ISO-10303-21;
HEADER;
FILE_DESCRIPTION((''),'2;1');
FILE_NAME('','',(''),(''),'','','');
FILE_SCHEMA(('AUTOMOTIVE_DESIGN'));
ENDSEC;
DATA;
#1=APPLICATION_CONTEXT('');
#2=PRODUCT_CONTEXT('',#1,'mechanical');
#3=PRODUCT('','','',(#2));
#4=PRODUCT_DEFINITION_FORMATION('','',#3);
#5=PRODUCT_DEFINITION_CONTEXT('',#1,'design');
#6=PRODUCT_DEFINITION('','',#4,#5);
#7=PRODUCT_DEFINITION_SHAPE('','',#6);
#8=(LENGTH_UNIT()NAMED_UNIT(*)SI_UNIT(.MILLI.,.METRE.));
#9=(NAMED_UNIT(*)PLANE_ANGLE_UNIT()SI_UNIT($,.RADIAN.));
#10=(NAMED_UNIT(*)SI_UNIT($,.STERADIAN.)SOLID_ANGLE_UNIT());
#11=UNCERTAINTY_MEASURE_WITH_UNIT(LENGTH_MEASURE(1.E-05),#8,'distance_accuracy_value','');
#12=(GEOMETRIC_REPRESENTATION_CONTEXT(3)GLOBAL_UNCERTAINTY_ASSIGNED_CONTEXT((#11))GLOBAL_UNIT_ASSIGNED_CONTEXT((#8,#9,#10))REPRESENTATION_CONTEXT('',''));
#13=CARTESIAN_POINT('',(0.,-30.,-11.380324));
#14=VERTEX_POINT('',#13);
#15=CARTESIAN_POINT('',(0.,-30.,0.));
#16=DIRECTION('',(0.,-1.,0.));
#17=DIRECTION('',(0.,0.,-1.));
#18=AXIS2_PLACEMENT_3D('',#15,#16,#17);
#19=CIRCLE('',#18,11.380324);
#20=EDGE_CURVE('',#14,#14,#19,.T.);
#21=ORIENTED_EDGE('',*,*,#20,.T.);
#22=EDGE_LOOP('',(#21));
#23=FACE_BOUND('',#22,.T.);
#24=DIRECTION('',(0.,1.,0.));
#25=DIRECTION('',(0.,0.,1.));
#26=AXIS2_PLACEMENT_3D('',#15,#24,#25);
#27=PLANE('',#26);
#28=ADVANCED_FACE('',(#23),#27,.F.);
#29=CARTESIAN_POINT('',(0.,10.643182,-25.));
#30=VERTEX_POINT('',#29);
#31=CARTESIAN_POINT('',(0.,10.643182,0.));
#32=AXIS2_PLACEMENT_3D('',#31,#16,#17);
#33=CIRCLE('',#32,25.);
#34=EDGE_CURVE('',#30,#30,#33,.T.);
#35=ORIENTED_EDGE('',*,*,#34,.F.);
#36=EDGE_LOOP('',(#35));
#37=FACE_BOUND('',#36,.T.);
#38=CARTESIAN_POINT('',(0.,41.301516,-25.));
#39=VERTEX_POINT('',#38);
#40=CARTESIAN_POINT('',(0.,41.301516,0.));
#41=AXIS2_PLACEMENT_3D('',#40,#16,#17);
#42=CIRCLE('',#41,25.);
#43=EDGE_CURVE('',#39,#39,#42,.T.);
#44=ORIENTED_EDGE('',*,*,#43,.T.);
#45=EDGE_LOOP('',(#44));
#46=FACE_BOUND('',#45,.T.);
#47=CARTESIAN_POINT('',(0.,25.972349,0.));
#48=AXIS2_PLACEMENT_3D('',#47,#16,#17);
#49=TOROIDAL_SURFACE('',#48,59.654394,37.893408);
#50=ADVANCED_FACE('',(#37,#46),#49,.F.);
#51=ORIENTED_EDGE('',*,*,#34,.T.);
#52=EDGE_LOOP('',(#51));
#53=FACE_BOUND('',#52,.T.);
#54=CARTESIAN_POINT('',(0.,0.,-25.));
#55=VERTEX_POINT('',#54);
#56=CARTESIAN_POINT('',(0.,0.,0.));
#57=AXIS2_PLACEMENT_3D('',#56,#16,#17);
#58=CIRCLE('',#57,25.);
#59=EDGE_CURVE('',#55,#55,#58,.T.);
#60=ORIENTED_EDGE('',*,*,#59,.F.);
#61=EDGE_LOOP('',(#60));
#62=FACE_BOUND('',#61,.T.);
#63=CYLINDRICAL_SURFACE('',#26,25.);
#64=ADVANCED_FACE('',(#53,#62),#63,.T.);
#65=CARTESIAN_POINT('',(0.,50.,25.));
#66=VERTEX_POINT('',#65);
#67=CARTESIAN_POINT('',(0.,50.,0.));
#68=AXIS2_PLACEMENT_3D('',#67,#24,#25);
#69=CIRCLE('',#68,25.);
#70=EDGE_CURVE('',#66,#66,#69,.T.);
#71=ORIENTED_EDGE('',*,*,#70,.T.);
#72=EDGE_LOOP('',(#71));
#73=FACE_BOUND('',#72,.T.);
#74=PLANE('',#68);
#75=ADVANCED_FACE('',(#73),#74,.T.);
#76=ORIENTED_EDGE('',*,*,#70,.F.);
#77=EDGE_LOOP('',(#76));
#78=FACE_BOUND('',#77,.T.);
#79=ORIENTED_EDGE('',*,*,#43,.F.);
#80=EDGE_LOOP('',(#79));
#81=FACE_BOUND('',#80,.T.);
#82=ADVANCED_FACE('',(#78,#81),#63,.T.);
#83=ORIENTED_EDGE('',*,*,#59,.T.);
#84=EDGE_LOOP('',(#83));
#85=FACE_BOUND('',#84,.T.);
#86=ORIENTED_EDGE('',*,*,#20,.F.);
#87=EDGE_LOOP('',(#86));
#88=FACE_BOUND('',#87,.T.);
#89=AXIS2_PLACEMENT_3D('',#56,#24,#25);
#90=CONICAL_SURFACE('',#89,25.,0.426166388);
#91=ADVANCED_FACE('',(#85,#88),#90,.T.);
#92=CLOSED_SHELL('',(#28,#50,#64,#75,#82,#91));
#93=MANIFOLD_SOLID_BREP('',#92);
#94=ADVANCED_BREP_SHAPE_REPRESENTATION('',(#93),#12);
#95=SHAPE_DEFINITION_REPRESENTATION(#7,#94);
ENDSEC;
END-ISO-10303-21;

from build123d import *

# Parameters (mm, degrees)
BOSS_EXTRUDE1_DEPTH      = 50
BOSS_EXTRUDE1_DEPTH_BACK = 30
SKETCH1_R                = 25


with BuildPart() as part:
    # Sketch1 → Boss-Extrude1 (new, two sides: drawn at the far end of the back side and taken through both)
    with BuildSketch(Plane(origin=(0, 0, 0), x_dir=(1, 0, 0), z_dir=(0, 1, 0)).offset(-BOSS_EXTRUDE1_DEPTH_BACK)):
        with Locations(Location((0, 0, 0), (0, 0, 270))):
            Circle(SKETCH1_R)
    extrude(amount=BOSS_EXTRUDE1_DEPTH + BOSS_EXTRUDE1_DEPTH_BACK)

    # Sketch3 → Cut-Revolve1 (revolve, cut)
    with BuildSketch(Plane.XY, mode=Mode.PRIVATE) as cut_revolve1_sk:
        Polygon((25, 0), (11.380324124, -30), (25, -30), align=None)
    revolve(cut_revolve1_sk.sketch.rotate(Axis((0, -30, 0), (0, 1, 0)), 90), axis=Axis((0, -30, 0), (0, 1, 0)), mode=Mode.SUBTRACT)

    # Sketch4 → Cut-Revolve2 (revolve, cut)
    with BuildSketch(Plane.XY, mode=Mode.PRIVATE) as cut_revolve2_sk:
        with BuildLine():
            Line((25, 41.301516329), (25, 10.643181842))
            ThreePointArc((25, 10.643181842), (21.760985667, 25.972349086), (25, 41.301516329))
        make_face()
    revolve(cut_revolve2_sk.sketch.rotate(Axis((0, -30, 0), (0, 1, 0)), 90), axis=Axis((0, -30, 0), (0, 1, 0)), mode=Mode.SUBTRACT)


solid = part.part
